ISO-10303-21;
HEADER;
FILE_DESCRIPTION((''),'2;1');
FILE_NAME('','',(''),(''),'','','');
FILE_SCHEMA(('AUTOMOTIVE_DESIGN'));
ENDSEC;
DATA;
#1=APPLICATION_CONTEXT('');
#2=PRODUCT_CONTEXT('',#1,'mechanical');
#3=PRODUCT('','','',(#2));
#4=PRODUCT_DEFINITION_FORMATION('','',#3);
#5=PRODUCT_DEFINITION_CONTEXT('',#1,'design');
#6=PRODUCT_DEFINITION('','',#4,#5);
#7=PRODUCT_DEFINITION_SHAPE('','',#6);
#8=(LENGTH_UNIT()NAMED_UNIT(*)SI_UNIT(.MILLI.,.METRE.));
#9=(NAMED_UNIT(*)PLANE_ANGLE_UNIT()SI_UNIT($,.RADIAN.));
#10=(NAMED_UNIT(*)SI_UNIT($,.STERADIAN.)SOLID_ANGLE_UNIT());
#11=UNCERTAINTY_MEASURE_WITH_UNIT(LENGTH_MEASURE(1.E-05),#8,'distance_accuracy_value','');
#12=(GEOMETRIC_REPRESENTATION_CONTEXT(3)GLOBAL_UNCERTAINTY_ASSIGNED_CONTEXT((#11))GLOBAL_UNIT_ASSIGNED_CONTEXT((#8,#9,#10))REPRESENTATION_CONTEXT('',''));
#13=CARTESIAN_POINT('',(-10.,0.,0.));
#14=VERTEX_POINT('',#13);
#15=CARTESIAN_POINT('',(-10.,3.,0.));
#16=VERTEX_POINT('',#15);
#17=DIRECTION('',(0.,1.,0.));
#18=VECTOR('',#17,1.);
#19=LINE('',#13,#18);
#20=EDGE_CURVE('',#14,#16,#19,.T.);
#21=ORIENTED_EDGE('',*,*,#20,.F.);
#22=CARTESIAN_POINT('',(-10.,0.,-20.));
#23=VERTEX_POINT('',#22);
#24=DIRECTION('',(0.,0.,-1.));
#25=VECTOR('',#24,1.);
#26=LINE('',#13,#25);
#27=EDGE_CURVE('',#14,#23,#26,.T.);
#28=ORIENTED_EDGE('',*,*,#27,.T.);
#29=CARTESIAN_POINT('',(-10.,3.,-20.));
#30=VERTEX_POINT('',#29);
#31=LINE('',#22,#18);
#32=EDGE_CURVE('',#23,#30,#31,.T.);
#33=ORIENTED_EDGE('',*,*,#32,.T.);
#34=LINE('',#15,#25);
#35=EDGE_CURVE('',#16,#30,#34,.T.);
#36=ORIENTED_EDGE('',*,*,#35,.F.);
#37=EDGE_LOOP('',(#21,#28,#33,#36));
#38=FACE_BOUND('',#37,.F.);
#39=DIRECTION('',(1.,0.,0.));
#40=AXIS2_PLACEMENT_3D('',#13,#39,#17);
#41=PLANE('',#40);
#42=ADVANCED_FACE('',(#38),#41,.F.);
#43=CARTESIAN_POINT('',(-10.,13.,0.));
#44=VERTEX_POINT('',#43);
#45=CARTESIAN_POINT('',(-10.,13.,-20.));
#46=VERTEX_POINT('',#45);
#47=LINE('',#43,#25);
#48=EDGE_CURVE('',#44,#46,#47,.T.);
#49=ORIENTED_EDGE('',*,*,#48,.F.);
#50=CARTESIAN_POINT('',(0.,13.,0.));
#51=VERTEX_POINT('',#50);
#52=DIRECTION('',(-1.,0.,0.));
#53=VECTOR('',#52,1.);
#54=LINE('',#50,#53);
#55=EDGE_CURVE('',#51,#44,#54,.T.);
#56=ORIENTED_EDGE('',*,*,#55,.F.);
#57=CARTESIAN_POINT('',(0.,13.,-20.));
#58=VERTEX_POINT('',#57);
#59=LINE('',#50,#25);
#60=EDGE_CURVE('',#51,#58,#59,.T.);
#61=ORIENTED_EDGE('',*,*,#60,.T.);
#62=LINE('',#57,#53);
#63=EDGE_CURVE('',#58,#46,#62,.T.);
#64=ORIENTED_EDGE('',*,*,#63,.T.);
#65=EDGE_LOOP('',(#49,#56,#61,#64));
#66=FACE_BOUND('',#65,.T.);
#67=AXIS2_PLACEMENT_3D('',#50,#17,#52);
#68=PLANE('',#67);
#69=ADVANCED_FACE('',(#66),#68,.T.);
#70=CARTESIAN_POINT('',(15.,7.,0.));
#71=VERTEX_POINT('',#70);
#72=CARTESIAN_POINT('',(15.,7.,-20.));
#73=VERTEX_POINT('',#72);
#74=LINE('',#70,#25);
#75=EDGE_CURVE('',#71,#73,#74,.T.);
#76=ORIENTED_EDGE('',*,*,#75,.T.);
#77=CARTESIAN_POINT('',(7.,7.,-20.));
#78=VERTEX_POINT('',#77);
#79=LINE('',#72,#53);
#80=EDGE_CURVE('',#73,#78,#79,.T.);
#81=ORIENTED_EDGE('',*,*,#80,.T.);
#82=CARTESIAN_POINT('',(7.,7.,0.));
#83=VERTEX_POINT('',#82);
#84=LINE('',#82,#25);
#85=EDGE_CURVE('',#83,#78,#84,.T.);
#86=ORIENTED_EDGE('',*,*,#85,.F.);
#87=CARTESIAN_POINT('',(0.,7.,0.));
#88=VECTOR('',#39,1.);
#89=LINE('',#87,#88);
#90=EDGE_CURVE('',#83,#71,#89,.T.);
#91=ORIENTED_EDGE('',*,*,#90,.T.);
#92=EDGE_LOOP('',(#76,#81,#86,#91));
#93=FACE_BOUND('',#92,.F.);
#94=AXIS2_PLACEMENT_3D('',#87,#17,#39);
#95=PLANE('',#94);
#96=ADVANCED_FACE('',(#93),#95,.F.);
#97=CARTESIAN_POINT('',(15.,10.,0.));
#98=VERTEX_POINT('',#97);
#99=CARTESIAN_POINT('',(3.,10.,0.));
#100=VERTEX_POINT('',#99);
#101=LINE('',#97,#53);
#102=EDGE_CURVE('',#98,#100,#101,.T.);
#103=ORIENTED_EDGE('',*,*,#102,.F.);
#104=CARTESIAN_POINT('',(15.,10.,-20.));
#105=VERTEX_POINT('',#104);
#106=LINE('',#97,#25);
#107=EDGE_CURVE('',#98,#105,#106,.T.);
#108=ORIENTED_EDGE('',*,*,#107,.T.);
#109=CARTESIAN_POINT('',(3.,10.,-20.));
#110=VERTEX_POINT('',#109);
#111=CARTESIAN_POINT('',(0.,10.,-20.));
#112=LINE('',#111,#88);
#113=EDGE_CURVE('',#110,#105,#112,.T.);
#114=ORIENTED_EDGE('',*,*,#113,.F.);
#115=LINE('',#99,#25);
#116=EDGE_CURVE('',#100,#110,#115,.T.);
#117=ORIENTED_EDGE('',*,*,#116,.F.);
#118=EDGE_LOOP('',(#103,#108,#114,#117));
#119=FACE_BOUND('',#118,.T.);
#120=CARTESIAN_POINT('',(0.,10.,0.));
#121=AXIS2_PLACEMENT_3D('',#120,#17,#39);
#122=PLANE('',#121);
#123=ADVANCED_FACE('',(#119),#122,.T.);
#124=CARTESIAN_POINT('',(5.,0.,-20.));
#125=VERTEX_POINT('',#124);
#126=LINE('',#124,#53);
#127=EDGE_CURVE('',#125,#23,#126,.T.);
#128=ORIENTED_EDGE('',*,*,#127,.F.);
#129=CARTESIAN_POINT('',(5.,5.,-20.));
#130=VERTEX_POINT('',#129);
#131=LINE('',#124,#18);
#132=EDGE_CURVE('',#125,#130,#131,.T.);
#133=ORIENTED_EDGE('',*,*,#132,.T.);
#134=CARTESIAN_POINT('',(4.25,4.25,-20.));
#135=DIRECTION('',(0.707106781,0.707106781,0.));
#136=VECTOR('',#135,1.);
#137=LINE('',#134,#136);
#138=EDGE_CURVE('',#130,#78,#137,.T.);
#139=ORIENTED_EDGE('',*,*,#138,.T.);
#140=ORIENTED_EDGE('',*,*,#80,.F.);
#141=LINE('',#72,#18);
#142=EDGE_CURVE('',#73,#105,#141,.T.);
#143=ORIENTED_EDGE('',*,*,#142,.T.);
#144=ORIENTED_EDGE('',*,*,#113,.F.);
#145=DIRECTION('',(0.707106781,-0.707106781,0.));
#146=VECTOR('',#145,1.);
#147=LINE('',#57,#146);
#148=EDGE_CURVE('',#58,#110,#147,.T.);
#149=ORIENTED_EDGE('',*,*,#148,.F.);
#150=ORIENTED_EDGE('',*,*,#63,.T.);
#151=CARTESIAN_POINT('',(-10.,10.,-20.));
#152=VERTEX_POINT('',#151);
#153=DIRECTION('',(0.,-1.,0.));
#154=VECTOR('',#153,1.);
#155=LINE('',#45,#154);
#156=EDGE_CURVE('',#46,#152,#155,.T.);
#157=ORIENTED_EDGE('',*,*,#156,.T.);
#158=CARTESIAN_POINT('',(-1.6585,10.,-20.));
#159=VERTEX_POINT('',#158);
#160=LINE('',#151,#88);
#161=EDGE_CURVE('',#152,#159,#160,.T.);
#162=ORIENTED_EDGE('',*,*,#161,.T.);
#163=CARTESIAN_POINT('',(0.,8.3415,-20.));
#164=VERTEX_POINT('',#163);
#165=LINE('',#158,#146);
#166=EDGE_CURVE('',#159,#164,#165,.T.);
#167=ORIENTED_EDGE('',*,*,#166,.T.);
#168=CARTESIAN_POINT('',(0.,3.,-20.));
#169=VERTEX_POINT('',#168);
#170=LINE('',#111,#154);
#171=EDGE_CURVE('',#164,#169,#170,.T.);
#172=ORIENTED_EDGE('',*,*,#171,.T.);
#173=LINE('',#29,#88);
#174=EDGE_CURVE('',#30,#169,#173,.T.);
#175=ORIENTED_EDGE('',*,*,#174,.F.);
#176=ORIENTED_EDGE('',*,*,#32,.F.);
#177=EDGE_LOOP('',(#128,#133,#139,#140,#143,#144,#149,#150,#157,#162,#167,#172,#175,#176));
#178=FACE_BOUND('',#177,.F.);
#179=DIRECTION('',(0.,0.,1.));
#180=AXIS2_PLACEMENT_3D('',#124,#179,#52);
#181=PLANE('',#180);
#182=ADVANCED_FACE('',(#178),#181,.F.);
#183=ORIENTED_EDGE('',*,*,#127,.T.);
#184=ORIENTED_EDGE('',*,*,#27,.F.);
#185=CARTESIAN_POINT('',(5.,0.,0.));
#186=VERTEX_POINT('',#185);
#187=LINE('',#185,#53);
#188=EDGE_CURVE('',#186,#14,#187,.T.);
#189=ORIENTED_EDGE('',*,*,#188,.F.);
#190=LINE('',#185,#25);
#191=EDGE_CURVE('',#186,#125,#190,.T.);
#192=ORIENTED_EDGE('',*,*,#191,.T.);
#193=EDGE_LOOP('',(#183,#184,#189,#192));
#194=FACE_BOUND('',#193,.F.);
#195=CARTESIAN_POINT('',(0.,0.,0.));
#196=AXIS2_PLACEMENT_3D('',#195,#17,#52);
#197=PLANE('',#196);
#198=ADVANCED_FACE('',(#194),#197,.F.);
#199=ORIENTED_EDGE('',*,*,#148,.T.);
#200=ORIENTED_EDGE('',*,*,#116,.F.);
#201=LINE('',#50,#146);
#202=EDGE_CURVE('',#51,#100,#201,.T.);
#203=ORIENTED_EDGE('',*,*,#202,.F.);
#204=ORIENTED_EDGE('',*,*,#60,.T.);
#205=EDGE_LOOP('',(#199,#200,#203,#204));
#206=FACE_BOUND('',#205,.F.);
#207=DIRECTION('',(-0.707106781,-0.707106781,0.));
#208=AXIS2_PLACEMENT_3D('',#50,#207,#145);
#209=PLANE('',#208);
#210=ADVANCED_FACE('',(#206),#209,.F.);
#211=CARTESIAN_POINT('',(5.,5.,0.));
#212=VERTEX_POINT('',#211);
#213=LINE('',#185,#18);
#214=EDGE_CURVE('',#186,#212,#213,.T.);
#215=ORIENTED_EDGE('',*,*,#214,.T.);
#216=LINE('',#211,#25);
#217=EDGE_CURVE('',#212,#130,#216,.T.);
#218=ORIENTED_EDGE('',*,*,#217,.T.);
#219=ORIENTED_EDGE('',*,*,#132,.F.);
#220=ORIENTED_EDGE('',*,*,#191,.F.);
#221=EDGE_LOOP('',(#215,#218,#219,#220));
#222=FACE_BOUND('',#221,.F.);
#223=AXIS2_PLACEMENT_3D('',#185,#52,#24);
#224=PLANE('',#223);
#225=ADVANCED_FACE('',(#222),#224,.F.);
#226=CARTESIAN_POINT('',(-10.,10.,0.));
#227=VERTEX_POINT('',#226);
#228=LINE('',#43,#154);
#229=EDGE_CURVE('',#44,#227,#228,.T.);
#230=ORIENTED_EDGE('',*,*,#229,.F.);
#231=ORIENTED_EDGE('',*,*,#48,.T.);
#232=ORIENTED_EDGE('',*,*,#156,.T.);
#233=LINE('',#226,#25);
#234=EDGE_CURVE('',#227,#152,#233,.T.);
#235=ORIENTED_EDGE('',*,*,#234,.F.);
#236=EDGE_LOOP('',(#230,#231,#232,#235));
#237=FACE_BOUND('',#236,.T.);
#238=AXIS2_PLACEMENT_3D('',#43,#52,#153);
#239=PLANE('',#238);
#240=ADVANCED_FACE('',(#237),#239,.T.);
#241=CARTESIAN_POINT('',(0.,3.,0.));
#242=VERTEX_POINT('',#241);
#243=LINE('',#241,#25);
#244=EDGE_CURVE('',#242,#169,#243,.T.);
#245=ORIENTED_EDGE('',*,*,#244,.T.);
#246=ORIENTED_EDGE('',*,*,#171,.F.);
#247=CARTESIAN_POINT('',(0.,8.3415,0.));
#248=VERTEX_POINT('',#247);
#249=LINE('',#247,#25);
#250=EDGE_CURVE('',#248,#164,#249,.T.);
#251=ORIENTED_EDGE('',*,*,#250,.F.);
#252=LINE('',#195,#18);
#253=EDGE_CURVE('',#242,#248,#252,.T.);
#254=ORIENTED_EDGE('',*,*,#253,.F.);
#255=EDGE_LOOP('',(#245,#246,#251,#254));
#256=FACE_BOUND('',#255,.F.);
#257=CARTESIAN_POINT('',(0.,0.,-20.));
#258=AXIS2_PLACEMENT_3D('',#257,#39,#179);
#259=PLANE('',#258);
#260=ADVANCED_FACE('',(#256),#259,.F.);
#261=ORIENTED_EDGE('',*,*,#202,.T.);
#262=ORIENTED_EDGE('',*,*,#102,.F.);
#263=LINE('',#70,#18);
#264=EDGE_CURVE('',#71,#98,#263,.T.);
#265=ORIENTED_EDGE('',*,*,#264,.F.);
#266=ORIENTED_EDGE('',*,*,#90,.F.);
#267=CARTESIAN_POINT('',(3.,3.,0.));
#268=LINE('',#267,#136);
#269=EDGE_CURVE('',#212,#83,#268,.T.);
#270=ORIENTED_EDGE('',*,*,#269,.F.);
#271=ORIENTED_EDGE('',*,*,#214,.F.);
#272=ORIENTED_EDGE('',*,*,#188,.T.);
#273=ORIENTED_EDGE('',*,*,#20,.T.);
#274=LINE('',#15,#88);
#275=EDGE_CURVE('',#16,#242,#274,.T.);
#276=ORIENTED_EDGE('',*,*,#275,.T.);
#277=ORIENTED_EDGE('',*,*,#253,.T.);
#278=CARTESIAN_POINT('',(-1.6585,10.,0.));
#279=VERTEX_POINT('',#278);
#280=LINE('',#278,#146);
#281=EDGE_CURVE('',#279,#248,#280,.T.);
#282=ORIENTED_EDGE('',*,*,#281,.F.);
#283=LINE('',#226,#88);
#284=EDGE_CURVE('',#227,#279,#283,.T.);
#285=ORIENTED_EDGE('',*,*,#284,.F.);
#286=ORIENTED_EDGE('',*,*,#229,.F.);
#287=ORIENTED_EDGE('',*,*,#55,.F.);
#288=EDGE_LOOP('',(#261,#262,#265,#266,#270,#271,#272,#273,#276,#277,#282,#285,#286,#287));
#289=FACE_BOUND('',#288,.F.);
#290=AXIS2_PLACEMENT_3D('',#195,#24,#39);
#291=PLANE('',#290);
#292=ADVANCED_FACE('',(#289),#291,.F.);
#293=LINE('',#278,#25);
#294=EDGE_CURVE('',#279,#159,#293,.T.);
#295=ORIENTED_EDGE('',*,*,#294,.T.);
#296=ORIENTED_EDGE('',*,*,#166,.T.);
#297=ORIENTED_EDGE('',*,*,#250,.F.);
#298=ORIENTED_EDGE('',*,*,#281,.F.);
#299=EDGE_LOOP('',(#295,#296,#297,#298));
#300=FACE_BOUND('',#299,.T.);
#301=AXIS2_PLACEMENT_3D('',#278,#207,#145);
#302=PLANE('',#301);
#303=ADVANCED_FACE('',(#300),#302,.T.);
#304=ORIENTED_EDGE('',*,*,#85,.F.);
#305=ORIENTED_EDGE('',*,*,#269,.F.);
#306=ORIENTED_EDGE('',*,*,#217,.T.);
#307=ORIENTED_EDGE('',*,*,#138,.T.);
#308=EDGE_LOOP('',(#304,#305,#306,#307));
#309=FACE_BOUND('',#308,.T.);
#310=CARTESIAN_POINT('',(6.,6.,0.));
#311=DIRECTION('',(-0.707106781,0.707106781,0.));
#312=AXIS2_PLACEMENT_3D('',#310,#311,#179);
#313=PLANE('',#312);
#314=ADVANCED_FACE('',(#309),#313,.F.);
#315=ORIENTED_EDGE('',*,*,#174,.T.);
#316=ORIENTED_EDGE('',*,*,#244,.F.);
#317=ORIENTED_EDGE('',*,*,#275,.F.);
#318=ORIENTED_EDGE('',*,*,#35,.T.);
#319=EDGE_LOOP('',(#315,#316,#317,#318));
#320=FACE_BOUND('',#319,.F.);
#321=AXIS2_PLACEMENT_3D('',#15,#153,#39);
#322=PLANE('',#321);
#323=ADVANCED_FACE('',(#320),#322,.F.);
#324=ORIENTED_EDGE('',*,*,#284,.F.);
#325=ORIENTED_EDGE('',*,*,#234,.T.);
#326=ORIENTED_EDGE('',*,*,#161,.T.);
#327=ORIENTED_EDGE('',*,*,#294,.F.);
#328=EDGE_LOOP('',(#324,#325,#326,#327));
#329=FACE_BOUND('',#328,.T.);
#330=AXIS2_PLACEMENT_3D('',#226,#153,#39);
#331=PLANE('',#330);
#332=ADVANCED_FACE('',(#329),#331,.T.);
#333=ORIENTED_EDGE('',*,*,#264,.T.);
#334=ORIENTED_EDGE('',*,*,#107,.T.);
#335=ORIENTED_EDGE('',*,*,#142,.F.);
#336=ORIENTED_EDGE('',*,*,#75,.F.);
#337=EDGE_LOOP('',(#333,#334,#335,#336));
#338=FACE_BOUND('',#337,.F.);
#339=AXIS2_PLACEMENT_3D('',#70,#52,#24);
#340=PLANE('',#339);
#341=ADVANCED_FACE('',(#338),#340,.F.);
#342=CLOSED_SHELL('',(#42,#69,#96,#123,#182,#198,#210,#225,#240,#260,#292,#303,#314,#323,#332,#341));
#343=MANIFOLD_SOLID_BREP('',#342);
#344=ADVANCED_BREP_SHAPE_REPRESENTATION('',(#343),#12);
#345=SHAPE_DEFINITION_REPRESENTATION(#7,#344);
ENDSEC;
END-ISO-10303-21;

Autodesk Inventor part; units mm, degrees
ref_plane "YZ Plane" through (0, 0, 0) normal (1, 0, 0) x (0, 1, 0)
ref_plane "XZ Plane" through (0, 0, 0) normal (0, 1, 0) x (-1, 0, 0)
ref_plane "XY Plane" through (0, 0, 0) normal (0, 0, 1) x (1, 0, 0)
sketch "Эскиз1" plane through (0, 0, 0) normal (0, 1, 0) x (-1, 0, 0)
  line L0 (0, 0) -> (-5, 0)
  line L1 (-5, 0) -> (-5, -20)
  line L2 (-5, -20) -> (0, -20)
  line L3 (0, -20) -> (0, 0)
  dimension "d0" = 5
  dimension "d1" = 20
extrude "Выдавливание1" add sketch "Эскиз1" along normal blind 7
sketch "Эскиз2" plane through (0, 7, 0) normal (0, 1, 0) x (1, 0, 0)
  line L0 (0, 0) -> (5, 0) projected
  line L1 (5, 0) -> (5, 20) projected
  line L2 (5, 20) -> (0, 20) projected
  line L3 (0, 20) -> (0, 0) projected
  line L4 (0, 0) -> (5, 0) projected
  line L5 (5, 0) -> (15, 0)
  line L6 (15, 0) -> (15, 20)
  line L7 (15, 20) -> (5, 20)
  line L8 (5, 20) -> (5, 0)
  dimension "d4" = 10
  dimension "d5" = 20
extrude "Выдавливание2" add sketch "Эскиз2" along normal blind 3
chamfer "Фаска1" distance 2 angle 45 1 edges at (5, 7, -10)
sketch "Эскиз3" plane through (0, 0, 0) normal (0, 0, 1) x (1, 0, 0)
  line L0 (0, 0) -> (25, 0)
  line L1 (25, 0) -> (25, 3)
  line L2 (25, 3) -> (0, 3)
  line L3 (0, 3) -> (0, 0)
  line L4 (0, 0) -> (5, 0) construction
  line L5 (5, 0) -> (5, 5) construction
  line L6 (7, 7) -> (5, 5) construction
  line L7 (7, 7) -> (15, 7) construction
  line L8 (15, 7) -> (15, 10) construction
  line L9 (0, 10) -> (15, 10) construction
  line L10 (0, 0) -> (0, 10) construction
  line L11 (0, 3) -> (5, 3)
  line L12 (5, 3) -> (5, 13)
  line L13 (5, 13) -> (0, 13)
  line L14 (0, 13) -> (0, 3)
  line L15 (5, 13) -> (15, 13)
  line L16 (15, 13) -> (15, 10)
  line L17 (15, 10) -> (5, 10)
  line L18 (5, 10) -> (5, 13)
  line L19 (0, 0) -> (5, 0) projected
  line L20 (0, 0) -> (-10, 0)
  line L21 (-10, 0) -> (-10, 3)
  line L22 (-10, 3) -> (0, 3)
  line L23 (0, 3) -> (0, 0)
  line L24 (0, 13) -> (-10, 13)
  line L25 (-10, 13) -> (-10, 10)
  line L26 (-10, 10) -> (0, 10)
  line L27 (0, 10) -> (0, 13)
  line L28 (0, 13) -> (3, 10)
  line L29 (0, 10) -> (15, 10) projected
  line L30 (-1.6585, 10) -> (0, 8.3415)
  line L31 (0, 0) -> (0, 10) projected
  point P0 (0, 8.3415)
  dimension "d11" = 3
  dimension "d12" = 25
  dimension "d13" = 5
  dimension "d14" = 10
  dimension "d15" = 10
  dimension "d16" = 3
  dimension "d17" = 10
  dimension "d18" = 3
extrude "Выдавливание3" add sketch "Эскиз3" against normal blind 20 contours L20 L21 L22 L3 | L30 L26 L14 | L26 L25 L24 L14 | L14 L28 L29
properties part number "test_support2"
